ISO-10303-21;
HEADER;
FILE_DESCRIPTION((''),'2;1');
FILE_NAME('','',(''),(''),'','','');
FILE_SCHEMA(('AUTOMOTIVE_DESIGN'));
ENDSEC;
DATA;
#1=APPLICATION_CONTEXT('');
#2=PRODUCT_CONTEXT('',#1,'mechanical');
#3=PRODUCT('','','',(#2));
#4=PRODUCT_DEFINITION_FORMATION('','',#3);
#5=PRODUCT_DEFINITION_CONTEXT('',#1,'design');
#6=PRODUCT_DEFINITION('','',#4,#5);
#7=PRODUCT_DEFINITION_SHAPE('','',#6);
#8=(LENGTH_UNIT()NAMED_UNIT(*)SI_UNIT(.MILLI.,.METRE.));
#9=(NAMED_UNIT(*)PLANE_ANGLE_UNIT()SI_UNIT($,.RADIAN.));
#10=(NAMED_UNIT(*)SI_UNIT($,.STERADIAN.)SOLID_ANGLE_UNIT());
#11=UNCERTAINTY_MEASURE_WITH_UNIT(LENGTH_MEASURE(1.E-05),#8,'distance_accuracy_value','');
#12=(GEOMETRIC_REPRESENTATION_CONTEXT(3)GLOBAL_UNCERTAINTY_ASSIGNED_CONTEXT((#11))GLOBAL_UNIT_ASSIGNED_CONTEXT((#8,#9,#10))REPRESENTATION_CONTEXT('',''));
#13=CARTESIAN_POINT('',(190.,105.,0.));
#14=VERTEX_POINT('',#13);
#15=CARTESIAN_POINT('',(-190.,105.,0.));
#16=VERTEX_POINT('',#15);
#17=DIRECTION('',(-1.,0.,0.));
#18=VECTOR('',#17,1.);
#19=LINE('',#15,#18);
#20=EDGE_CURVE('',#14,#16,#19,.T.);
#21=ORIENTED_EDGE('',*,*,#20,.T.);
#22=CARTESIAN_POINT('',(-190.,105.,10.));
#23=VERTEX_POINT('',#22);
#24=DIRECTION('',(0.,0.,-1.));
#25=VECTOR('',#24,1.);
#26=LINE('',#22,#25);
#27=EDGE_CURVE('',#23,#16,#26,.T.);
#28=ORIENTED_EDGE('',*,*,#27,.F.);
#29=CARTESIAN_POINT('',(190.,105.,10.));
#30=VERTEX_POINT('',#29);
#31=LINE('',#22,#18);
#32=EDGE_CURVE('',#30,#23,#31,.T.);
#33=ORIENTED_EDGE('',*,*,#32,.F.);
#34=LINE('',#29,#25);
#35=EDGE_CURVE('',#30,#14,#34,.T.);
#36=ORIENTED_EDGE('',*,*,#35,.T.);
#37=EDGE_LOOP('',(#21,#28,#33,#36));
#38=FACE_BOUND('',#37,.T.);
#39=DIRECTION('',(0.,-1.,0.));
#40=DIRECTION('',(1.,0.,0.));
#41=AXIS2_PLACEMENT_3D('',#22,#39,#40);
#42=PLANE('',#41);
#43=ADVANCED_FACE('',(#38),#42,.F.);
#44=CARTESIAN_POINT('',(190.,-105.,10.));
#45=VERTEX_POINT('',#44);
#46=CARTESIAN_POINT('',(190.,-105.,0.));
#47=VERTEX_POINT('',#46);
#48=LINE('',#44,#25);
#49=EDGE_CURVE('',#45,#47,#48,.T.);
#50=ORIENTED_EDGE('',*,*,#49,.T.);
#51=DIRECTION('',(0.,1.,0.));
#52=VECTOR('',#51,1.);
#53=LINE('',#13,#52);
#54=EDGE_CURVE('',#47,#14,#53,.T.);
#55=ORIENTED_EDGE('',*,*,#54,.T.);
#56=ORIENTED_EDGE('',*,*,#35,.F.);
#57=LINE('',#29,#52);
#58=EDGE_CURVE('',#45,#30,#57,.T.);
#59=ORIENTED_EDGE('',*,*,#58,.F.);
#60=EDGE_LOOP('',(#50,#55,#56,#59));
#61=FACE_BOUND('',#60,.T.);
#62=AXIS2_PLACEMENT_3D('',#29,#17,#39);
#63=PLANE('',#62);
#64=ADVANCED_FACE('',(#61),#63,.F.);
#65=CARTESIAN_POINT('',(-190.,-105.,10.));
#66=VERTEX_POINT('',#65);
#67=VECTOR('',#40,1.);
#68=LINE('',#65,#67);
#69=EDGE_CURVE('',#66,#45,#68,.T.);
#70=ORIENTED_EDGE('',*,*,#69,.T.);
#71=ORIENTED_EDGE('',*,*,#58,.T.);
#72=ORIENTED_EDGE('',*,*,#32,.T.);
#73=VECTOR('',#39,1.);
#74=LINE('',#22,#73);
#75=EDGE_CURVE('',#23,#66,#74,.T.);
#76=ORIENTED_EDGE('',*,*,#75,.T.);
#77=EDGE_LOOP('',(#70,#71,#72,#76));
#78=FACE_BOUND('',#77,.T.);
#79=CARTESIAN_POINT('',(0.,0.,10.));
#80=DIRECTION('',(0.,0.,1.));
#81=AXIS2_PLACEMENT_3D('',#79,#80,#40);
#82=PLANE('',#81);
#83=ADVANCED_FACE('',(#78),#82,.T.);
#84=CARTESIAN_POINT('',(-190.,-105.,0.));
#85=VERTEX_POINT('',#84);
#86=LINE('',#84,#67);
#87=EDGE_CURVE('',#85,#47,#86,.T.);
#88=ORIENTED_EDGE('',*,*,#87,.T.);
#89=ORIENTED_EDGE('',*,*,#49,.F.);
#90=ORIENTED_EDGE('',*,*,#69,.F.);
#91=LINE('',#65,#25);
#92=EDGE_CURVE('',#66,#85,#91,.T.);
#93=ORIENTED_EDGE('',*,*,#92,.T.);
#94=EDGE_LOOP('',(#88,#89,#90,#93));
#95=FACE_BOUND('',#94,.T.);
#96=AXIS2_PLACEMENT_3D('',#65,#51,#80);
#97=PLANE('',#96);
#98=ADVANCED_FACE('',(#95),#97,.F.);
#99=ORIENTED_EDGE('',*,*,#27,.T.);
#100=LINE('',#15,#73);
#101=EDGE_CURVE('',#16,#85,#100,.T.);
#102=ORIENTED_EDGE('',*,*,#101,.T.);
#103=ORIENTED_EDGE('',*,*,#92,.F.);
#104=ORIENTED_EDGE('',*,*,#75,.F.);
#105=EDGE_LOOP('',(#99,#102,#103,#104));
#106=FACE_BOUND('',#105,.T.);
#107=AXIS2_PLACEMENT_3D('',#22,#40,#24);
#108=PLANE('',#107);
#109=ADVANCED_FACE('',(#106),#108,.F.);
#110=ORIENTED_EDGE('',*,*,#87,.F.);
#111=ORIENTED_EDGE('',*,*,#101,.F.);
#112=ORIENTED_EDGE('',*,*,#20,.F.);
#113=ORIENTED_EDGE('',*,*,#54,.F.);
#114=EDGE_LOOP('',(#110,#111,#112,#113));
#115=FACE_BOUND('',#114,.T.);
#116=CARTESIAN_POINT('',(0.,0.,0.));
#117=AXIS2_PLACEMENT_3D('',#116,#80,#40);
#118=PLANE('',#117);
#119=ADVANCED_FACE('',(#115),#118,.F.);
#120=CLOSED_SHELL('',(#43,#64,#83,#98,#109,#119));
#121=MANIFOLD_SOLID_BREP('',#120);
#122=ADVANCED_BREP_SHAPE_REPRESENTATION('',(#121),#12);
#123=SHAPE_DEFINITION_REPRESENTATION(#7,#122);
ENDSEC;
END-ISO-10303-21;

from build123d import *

# Parameters (mm, degrees)
ESQUISSE1_W        = 380
ESQUISSE1_H        = 210
BOSS_EXTRU_1_DEPTH = 10


with BuildPart() as part:
    # Esquisse1 → Boss.-Extru.1 (new body)
    with BuildSketch(Plane.XY):
        Rectangle(ESQUISSE1_W, ESQUISSE1_H)
    extrude(amount=BOSS_EXTRU_1_DEPTH)


solid = part.part
